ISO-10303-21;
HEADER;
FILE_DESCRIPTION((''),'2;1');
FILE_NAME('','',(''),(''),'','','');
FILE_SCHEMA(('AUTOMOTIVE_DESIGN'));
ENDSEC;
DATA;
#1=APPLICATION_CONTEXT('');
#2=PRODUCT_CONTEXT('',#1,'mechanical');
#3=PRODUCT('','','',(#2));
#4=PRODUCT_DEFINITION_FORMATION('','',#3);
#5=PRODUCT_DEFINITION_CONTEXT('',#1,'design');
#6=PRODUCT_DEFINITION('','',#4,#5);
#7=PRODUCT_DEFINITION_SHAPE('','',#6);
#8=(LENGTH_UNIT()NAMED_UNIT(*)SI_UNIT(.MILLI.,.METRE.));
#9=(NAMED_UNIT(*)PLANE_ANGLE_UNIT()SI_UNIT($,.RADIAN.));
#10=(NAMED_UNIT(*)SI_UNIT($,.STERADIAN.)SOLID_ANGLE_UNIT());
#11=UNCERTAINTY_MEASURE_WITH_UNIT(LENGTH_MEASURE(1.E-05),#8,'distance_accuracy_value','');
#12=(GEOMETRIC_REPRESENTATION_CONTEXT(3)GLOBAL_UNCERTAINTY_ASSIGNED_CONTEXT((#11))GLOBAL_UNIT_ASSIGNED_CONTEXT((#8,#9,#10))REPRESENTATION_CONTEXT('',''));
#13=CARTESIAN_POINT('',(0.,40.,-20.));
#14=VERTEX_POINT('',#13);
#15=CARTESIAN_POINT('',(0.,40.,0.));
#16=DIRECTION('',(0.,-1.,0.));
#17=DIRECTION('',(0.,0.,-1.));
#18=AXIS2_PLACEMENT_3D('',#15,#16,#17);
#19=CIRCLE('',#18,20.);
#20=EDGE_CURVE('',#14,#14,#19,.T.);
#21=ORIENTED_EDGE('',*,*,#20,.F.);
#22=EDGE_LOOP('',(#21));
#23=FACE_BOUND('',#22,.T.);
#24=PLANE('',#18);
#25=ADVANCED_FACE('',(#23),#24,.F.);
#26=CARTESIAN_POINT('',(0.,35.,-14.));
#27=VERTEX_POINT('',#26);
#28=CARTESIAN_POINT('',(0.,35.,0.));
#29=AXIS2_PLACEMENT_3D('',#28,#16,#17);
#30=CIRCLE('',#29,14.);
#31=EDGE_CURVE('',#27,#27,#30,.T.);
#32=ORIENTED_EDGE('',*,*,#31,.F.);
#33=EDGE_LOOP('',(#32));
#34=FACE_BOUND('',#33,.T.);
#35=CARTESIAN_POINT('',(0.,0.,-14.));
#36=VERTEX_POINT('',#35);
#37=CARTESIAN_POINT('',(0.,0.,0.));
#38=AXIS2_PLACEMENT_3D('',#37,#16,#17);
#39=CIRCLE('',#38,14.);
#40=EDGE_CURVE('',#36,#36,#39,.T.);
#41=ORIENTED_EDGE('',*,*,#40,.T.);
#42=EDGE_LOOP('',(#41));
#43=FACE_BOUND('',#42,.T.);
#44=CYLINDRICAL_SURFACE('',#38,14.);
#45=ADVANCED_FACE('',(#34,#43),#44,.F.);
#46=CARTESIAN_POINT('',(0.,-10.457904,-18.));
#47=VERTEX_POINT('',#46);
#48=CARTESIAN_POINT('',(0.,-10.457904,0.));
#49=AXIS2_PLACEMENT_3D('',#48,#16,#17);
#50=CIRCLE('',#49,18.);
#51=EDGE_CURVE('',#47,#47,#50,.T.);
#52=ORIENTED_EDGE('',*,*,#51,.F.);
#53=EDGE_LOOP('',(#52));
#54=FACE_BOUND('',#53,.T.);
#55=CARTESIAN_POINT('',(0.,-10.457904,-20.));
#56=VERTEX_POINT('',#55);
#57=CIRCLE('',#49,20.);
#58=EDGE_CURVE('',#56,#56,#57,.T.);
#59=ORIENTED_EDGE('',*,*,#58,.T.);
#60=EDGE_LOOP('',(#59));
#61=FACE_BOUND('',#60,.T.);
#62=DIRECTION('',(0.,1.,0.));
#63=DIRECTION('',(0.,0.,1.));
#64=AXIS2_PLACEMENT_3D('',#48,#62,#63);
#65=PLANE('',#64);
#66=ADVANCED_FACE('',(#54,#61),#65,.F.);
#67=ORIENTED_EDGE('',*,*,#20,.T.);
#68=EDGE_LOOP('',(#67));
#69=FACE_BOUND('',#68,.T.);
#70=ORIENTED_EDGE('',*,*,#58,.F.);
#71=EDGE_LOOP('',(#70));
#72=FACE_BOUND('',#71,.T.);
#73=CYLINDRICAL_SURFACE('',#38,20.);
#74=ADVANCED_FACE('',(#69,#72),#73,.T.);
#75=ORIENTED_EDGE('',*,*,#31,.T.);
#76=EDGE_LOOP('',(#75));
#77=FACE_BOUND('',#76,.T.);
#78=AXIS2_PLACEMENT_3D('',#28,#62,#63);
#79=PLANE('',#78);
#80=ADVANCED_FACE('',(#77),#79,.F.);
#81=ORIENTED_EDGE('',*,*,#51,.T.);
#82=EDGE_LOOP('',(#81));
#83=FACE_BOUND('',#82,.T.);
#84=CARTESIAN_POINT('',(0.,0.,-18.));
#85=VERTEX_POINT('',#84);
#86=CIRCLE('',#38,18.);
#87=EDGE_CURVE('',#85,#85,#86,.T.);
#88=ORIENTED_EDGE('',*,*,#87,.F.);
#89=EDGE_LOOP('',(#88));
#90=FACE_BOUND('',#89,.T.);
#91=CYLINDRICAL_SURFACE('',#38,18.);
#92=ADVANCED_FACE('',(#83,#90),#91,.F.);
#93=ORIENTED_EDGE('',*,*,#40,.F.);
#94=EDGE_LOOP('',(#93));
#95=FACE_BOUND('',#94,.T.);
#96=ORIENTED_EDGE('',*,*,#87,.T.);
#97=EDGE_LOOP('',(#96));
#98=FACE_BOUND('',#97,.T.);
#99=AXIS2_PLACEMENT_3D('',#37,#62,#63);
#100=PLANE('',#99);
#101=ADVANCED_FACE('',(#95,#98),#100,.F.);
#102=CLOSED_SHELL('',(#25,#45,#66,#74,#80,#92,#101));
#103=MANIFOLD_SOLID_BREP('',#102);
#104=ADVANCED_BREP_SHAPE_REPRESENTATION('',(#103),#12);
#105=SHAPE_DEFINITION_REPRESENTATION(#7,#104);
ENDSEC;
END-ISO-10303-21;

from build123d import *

# Parameters (mm, degrees)
SCHIZZO1_W = 2
SCHIZZO1_H = 10.457904347


with BuildPart() as part:
    # Schizzo1 → Rivoluzione1 (revolve)
    with BuildSketch(Plane.XY, mode=Mode.PRIVATE) as rivoluzione1_sk:
        Polygon((-20, 40), (-20, 0), (-14, 0), (-14, 35), (0, 35), (0, 40), align=None)
        with Locations((-19, -5.228952174)):
            Rectangle(SCHIZZO1_W, SCHIZZO1_H)
    revolve(rivoluzione1_sk.sketch.rotate(Axis((0, 0, 0), (0, 1, 0)), 270), axis=Axis((0, 0, 0), (0, 1, 0)))


solid = part.part
